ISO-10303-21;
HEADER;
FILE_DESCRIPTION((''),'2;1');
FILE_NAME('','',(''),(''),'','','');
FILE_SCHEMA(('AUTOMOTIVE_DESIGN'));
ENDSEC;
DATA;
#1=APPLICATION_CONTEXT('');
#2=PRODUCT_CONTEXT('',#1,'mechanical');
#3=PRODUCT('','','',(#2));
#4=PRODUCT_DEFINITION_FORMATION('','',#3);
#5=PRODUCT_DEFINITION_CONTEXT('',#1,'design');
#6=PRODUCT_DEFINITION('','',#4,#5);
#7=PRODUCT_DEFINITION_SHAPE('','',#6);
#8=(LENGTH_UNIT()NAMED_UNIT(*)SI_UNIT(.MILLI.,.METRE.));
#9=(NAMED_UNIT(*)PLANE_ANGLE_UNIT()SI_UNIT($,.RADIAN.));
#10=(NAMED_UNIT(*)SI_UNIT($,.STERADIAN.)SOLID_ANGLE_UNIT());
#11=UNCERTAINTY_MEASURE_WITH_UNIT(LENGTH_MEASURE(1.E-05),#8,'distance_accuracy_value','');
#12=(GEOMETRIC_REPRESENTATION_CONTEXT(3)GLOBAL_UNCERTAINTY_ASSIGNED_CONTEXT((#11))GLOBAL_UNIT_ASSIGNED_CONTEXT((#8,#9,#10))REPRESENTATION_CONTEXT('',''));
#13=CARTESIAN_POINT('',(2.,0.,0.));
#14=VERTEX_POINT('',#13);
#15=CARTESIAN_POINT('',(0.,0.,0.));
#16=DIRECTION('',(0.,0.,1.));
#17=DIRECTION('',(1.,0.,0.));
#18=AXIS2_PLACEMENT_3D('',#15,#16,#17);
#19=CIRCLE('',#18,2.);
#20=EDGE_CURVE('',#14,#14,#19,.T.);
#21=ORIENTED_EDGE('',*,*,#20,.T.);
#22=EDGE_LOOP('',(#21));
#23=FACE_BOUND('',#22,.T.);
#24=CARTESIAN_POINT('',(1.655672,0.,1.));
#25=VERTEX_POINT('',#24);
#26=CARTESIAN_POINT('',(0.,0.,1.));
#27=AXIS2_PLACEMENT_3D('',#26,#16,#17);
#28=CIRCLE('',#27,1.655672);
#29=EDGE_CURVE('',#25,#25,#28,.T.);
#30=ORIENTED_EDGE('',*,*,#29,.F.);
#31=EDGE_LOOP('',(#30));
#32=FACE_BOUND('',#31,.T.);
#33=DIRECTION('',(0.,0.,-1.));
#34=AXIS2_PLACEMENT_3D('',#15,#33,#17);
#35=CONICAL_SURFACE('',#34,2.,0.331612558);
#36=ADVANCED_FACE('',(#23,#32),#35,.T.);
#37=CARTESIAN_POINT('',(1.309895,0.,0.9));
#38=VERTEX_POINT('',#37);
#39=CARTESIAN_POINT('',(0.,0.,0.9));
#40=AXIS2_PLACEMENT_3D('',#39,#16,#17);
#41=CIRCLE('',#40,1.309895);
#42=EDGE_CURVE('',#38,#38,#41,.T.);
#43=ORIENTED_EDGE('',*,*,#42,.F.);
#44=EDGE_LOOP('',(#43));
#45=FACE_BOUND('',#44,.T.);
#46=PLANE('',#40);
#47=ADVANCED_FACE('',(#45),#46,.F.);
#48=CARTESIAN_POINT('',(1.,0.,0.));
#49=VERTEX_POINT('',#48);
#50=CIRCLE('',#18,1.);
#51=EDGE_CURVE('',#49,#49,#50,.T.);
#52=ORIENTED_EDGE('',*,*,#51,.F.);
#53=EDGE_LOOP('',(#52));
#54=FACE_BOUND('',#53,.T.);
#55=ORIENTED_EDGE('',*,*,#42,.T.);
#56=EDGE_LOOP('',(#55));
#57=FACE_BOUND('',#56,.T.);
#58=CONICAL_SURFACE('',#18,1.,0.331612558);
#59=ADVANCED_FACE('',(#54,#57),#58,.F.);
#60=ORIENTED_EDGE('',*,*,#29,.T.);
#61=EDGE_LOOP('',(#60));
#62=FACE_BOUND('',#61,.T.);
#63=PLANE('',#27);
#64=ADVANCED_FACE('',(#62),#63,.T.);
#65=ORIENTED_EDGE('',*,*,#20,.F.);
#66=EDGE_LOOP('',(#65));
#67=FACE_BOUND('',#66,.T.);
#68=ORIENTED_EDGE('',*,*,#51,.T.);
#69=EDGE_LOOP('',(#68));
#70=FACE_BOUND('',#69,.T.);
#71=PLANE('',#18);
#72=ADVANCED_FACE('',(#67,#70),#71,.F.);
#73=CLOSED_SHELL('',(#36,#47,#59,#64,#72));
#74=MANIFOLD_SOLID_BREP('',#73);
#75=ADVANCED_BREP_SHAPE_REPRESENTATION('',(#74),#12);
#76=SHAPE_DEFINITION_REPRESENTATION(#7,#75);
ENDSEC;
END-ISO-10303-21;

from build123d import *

# Parameters (mm, degrees)
IZIM1_R                     = 2
IZIM1_R_2                   = 1
EKSTR_ZYON_NCE1_DEPTH       = 1
EKSTR_ZYON_NCE1_DRAFT       = 19
IZIM2_R                     = 1.655672387
Y_KSEKLIK_EKSTR_ZYON1_DEPTH = 0.1


with BuildPart() as part:
    # Çizim1 → Ekstrüzyon-İnce1 (with draft: the straight prism first)
    with BuildSketch(Plane.XY):
        Circle(IZIM1_R)
        Circle(IZIM1_R_2, mode=Mode.SUBTRACT)
    extrude(amount=EKSTR_ZYON_NCE1_DEPTH)
    # Ekstrüzyon-İnce1: the draft: its side faces are tilted about the plane it starts from
    ekstr_zyon_nce1_sides = [part.faces().sort_by_distance(p)[0] for p in [
        (-2, 0, 0.5),
        (-1, 0, 0.5),
    ]]
    draft(ekstr_zyon_nce1_sides, Plane.XY, EKSTR_ZYON_NCE1_DRAFT)

    # Çizim2 → Yükseklik-Ekstrüzyon1 (add)
    with BuildSketch(Plane.XY.offset(1)):
        Circle(IZIM2_R)
    extrude(amount=-Y_KSEKLIK_EKSTR_ZYON1_DEPTH)


solid = part.part
